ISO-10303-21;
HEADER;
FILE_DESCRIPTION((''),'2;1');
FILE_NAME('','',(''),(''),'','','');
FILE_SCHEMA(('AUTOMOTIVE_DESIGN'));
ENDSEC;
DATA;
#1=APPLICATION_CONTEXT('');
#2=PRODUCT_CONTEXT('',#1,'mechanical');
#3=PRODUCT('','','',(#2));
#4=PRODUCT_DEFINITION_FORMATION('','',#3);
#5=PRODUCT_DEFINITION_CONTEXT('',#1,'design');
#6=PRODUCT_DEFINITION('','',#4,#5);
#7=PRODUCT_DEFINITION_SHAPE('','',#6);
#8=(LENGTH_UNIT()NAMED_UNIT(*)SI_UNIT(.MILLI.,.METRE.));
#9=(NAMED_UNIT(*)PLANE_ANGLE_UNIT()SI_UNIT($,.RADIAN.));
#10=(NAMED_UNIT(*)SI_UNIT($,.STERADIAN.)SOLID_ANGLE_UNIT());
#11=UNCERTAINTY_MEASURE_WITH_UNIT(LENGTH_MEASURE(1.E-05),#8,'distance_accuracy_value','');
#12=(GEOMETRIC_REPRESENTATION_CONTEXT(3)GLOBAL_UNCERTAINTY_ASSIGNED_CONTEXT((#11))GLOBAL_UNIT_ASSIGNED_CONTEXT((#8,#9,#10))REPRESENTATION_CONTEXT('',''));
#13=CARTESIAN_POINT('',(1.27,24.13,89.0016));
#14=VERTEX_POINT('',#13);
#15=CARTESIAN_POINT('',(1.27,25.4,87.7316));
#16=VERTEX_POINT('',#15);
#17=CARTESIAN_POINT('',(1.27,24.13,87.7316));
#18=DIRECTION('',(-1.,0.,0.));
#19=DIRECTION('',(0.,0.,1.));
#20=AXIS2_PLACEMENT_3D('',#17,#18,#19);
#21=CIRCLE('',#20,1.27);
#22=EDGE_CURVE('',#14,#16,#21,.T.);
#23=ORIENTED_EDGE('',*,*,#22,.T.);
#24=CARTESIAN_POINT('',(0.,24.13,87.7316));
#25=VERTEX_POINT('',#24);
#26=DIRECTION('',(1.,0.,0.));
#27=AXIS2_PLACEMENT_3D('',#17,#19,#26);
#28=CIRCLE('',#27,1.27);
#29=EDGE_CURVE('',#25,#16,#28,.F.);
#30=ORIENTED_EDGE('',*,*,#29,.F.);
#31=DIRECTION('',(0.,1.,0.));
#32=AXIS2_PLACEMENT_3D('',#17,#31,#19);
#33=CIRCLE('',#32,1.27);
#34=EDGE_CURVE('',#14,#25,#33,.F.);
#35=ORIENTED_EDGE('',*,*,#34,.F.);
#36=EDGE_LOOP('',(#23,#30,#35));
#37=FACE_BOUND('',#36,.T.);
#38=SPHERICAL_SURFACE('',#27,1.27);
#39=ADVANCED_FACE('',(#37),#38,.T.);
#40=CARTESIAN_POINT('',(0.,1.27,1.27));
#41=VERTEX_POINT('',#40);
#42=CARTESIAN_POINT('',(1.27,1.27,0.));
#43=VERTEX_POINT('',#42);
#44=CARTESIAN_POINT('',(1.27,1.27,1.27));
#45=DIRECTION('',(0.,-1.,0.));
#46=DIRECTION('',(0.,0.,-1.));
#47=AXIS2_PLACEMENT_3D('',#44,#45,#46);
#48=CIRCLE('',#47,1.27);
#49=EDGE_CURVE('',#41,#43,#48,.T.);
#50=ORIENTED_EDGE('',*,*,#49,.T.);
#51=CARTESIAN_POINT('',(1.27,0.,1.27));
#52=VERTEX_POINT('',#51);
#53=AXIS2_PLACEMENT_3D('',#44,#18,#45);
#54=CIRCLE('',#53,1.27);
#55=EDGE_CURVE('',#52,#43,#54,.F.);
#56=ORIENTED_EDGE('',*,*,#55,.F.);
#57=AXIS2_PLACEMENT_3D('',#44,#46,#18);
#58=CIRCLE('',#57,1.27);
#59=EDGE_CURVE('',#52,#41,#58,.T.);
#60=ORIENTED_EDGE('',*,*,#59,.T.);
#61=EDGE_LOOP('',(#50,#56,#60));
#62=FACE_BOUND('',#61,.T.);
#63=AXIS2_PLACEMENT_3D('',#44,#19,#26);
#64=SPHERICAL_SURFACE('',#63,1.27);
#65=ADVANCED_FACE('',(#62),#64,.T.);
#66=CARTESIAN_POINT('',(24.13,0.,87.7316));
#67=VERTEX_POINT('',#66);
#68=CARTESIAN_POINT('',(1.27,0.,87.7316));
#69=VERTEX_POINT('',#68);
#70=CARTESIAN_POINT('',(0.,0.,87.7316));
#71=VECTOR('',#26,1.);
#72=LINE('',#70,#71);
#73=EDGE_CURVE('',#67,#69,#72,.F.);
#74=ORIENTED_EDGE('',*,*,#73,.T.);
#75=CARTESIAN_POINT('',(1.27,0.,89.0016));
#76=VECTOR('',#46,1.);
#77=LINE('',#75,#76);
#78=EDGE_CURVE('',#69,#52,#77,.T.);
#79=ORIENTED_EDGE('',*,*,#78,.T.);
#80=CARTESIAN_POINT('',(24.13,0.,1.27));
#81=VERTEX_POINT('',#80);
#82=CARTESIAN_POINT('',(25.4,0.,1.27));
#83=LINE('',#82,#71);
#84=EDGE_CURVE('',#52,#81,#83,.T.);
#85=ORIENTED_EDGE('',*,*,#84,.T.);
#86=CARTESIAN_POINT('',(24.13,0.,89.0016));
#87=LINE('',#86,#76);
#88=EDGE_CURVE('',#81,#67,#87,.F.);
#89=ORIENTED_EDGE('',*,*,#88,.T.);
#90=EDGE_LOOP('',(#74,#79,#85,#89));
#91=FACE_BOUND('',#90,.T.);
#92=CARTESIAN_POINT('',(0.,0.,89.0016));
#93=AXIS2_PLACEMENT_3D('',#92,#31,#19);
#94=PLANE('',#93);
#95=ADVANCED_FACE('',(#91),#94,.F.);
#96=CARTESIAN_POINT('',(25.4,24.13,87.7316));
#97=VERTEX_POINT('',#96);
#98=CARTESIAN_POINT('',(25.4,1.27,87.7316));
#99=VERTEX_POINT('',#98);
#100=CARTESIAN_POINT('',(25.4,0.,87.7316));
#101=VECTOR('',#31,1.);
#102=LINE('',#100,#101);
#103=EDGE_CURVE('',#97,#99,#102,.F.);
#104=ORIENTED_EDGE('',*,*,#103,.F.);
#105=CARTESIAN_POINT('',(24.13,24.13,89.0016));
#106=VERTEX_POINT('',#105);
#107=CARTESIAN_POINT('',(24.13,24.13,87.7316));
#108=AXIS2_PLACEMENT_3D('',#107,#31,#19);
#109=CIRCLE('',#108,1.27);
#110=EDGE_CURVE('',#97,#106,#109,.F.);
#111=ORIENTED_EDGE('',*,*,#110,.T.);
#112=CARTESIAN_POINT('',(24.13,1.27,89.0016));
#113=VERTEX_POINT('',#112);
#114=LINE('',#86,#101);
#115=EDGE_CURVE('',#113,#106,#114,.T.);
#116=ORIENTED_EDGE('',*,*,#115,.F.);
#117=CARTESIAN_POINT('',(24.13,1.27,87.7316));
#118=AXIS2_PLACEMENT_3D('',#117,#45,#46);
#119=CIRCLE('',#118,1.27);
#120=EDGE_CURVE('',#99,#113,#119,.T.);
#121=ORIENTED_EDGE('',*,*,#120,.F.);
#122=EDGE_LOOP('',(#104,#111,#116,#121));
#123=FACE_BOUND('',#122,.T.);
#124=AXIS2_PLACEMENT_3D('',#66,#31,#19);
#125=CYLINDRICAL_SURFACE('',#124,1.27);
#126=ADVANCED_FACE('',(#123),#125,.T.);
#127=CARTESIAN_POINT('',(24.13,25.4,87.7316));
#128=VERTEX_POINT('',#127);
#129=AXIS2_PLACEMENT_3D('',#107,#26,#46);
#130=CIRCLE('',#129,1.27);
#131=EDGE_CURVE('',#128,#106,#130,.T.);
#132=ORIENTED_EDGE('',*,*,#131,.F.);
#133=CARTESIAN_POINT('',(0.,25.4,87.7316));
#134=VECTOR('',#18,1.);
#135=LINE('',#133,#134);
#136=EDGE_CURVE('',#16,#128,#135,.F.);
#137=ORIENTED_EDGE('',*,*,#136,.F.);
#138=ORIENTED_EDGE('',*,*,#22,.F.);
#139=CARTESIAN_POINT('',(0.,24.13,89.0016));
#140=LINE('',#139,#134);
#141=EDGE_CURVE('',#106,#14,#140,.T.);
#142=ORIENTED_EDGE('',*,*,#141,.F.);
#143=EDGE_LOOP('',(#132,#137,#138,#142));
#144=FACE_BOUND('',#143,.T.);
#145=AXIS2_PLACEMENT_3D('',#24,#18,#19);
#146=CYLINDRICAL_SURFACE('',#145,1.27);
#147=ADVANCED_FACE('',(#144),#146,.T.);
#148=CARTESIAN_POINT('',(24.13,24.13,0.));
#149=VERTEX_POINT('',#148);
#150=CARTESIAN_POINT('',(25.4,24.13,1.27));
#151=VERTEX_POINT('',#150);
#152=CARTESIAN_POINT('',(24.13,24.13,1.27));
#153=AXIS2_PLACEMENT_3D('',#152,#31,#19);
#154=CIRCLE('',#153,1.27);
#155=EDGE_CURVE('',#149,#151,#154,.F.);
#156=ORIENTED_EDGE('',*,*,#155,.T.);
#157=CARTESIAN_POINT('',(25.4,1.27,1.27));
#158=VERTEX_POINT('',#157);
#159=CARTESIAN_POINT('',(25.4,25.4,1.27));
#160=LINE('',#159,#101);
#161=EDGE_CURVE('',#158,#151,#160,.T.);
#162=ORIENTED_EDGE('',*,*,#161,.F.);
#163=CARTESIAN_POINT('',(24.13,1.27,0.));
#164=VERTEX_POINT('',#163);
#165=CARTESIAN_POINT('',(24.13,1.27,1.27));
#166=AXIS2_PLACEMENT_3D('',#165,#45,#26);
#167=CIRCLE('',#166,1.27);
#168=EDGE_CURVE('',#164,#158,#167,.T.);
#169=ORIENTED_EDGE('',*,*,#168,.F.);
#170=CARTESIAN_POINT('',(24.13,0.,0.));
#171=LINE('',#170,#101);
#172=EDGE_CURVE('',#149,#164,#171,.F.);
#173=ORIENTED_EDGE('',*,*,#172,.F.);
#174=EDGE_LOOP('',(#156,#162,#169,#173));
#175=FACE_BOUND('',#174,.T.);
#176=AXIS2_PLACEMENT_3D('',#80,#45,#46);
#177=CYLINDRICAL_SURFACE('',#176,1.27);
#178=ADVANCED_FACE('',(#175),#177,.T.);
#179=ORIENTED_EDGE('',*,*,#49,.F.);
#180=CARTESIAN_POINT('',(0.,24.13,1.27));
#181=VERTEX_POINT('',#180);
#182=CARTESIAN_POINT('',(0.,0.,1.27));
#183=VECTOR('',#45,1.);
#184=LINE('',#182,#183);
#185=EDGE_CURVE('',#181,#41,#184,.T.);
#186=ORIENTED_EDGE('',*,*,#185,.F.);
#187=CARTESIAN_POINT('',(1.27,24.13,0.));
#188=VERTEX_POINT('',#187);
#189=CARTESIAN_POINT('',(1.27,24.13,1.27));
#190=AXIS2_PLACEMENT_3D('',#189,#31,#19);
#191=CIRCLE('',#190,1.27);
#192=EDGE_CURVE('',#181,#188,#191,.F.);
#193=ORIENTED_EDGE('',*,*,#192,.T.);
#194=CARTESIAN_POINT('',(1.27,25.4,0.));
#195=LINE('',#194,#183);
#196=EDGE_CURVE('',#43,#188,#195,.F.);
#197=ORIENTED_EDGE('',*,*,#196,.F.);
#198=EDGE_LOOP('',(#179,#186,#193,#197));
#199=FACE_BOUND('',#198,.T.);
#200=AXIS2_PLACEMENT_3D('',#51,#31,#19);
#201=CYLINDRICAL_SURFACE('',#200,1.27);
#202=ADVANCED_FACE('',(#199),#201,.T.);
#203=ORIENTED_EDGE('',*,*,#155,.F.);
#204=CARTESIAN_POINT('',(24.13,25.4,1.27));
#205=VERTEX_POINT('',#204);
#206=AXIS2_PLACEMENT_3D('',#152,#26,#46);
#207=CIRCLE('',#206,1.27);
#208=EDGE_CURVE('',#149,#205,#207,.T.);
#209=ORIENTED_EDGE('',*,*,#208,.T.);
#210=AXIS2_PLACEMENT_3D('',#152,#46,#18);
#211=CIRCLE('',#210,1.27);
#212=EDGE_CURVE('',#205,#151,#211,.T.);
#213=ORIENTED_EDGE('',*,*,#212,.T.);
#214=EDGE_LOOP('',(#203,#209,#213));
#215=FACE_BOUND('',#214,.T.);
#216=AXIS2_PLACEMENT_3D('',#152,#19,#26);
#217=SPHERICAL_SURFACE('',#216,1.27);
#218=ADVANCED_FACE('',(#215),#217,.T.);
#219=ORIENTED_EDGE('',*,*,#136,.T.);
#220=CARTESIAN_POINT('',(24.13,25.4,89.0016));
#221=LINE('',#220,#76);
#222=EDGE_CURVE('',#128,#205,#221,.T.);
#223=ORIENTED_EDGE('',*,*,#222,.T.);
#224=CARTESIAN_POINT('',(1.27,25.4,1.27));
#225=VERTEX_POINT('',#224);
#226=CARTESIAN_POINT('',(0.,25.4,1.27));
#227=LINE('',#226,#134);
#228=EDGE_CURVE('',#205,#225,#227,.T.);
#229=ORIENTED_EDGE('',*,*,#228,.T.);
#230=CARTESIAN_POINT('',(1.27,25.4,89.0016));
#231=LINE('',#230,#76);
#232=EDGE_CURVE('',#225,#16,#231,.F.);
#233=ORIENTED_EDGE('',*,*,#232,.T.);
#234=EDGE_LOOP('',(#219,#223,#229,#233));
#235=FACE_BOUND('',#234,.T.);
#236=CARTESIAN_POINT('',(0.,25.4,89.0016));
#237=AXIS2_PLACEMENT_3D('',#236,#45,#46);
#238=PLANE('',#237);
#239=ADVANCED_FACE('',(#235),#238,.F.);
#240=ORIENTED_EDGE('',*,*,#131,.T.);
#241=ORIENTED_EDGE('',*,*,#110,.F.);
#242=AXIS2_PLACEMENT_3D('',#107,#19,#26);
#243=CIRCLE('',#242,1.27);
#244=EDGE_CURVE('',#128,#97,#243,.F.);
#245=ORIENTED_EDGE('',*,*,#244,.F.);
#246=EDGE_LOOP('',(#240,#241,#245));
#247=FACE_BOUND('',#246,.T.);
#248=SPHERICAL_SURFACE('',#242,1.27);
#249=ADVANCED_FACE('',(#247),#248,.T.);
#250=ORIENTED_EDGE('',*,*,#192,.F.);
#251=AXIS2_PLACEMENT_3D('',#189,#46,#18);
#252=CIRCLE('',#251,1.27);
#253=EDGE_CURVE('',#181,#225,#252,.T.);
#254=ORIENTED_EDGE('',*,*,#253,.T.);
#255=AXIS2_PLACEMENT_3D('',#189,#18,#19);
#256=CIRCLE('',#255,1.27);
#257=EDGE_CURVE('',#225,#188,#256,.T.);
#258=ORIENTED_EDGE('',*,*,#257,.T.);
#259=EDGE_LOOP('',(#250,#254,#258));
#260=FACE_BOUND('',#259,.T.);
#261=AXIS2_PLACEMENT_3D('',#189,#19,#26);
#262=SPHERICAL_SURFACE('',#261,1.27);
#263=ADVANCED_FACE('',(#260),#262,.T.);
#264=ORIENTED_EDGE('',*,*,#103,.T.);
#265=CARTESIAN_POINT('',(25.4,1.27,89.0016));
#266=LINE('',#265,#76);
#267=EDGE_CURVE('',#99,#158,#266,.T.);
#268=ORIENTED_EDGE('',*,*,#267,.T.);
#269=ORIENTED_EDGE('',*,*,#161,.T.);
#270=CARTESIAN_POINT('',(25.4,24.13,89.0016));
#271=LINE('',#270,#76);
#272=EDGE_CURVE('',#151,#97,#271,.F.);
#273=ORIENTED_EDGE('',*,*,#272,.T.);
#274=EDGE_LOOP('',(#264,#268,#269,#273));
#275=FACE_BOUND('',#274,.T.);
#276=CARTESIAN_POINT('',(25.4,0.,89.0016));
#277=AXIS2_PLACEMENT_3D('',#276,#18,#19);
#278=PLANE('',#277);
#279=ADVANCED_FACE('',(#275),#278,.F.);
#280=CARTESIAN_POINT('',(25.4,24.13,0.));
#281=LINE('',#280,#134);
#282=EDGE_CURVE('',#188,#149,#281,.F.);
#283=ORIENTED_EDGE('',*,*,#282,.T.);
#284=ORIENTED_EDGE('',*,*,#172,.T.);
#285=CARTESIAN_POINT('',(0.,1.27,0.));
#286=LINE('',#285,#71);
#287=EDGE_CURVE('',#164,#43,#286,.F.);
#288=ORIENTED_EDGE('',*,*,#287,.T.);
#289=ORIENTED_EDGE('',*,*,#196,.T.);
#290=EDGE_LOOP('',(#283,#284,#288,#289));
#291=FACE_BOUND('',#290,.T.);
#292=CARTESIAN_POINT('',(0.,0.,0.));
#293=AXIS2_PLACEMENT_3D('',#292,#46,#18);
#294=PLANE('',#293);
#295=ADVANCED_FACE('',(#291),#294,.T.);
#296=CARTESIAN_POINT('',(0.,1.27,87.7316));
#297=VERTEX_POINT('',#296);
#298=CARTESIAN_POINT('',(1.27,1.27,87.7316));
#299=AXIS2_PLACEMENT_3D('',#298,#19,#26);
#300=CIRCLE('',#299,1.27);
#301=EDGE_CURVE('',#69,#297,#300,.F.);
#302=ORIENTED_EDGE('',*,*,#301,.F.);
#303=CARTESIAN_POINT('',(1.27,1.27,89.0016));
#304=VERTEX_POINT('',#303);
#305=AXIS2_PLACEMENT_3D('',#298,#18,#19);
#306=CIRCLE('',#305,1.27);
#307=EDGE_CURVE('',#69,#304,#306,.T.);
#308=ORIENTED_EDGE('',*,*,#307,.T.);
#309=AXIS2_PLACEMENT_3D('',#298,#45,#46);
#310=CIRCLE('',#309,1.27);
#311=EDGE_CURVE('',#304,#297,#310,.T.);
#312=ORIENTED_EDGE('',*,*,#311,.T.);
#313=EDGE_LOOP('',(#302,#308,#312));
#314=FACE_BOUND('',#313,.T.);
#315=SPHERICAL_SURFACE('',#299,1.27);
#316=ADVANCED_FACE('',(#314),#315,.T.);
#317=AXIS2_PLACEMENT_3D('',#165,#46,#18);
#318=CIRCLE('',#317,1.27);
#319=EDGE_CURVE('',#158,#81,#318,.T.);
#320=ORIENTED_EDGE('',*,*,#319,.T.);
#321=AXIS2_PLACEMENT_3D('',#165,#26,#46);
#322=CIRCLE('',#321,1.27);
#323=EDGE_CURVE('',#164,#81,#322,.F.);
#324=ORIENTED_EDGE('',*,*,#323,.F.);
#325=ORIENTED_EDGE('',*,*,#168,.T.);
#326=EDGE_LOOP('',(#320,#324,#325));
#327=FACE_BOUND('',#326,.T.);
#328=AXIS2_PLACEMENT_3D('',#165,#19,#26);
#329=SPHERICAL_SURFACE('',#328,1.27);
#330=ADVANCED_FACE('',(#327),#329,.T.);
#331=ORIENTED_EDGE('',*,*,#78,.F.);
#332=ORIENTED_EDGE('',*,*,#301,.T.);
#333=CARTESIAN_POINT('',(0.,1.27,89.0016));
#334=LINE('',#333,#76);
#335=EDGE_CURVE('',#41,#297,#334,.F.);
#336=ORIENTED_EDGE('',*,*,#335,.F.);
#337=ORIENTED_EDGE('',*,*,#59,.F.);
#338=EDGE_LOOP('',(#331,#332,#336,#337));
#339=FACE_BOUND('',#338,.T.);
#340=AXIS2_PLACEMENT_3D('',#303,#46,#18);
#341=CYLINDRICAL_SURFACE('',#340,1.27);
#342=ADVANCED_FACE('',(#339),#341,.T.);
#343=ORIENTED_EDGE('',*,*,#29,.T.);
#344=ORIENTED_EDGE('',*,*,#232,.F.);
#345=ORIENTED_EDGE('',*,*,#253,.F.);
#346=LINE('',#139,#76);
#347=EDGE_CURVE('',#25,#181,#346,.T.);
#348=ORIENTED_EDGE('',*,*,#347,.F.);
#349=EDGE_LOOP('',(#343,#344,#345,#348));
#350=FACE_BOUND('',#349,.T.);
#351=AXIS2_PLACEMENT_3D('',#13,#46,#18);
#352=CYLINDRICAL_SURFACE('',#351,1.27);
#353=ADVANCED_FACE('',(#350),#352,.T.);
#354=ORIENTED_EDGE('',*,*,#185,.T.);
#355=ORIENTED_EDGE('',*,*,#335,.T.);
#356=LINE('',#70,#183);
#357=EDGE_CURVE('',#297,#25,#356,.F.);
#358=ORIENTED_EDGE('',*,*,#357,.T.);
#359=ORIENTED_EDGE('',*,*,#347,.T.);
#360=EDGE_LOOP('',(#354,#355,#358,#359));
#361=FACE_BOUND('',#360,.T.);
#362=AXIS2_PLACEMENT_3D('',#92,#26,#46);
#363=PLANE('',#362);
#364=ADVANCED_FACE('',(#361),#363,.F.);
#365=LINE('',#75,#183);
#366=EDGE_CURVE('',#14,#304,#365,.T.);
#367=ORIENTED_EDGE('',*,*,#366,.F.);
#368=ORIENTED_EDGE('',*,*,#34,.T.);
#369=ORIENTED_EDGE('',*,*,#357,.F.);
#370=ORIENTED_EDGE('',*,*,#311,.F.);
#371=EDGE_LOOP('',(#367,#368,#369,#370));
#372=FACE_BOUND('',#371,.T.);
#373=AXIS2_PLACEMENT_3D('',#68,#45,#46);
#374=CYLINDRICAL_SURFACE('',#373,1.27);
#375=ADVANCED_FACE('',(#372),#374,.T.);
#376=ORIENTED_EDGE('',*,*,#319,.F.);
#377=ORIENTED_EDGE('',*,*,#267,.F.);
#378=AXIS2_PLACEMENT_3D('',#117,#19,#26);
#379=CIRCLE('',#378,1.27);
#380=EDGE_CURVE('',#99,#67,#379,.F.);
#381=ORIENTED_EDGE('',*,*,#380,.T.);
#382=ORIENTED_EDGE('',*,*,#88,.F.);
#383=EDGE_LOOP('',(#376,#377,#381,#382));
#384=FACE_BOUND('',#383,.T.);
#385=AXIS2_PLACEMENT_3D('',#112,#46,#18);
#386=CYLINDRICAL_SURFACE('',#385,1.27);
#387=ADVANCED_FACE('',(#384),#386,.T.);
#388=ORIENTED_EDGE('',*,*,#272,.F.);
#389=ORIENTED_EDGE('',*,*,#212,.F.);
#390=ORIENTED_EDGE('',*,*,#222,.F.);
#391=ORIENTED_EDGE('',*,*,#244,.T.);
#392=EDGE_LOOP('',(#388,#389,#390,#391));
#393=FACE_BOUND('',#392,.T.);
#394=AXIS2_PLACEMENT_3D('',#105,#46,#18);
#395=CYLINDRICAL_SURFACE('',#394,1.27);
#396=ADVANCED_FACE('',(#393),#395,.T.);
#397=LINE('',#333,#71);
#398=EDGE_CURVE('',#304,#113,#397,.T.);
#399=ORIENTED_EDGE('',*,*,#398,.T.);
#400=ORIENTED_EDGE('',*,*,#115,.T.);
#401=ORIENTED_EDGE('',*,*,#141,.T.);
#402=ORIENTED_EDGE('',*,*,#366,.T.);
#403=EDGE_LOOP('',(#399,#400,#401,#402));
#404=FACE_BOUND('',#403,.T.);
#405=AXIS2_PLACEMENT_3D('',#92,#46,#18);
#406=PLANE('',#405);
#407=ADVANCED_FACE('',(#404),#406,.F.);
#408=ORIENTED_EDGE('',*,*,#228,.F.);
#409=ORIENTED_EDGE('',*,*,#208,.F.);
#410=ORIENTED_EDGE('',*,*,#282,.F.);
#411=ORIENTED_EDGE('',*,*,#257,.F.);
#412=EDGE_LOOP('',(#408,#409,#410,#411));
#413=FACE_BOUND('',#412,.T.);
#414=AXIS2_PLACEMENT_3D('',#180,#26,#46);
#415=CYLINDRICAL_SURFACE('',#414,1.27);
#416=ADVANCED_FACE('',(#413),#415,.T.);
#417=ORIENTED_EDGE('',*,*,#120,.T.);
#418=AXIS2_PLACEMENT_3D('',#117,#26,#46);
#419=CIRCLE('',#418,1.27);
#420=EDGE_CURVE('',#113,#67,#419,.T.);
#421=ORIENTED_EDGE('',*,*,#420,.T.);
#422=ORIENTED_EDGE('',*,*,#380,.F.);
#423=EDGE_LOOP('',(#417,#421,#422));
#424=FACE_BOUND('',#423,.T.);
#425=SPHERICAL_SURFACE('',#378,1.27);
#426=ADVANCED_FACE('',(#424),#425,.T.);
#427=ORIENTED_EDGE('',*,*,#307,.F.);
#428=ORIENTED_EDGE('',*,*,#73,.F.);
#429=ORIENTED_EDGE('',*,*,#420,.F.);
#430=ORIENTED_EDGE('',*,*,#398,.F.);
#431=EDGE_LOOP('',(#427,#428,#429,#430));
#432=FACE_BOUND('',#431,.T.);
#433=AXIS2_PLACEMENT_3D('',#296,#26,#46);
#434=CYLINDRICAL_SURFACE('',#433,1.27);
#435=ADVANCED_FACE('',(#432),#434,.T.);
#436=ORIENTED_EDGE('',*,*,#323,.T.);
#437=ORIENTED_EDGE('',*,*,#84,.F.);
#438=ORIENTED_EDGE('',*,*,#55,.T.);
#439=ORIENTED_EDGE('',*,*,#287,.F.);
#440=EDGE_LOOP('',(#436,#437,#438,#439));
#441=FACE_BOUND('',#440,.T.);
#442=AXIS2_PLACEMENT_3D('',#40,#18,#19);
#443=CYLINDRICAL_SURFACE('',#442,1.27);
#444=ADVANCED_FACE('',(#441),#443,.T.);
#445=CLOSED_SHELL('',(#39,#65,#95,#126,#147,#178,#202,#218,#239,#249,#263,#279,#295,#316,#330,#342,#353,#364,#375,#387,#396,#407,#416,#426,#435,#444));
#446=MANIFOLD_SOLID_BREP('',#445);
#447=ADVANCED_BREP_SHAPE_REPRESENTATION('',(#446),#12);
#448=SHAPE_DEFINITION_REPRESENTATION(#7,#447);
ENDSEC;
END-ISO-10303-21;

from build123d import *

# Parameters (mm, degrees)
SKETCH1_W           = 25.4
SKETCH1_H           = 25.4
BOSS_EXTRUDE1_DEPTH = 89.0016
FILLET1_R           = 1.27


with BuildPart() as part:
    # Sketch1 → Boss-Extrude1 (new body)
    with BuildSketch(Plane.XY):
        with Locations((12.7, 12.7)):
            Rectangle(SKETCH1_W, SKETCH1_H)
    extrude(amount=BOSS_EXTRUDE1_DEPTH)

    # Fillet1
    fillet1_edges = [part.edges().sort_by_distance(p)[0] for p in [
        (25.4, 12.7, 89.0016),
        (12.7, 25.4, 89.0016),
        (0, 12.7, 89.0016),
        (12.7, 25.4, 0),
        (25.4, 12.7, 0),
        (12.7, 0, 0),
        (0, 12.7, 0),
        (12.7, 0, 89.0016),
        (0, 25.4, 44.5008),
        (25.4, 25.4, 44.5008),
        (25.4, 0, 44.5008),
        (0, 0, 44.5008),
    ]]
    fillet(fillet1_edges, radius=FILLET1_R)


solid = part.part
